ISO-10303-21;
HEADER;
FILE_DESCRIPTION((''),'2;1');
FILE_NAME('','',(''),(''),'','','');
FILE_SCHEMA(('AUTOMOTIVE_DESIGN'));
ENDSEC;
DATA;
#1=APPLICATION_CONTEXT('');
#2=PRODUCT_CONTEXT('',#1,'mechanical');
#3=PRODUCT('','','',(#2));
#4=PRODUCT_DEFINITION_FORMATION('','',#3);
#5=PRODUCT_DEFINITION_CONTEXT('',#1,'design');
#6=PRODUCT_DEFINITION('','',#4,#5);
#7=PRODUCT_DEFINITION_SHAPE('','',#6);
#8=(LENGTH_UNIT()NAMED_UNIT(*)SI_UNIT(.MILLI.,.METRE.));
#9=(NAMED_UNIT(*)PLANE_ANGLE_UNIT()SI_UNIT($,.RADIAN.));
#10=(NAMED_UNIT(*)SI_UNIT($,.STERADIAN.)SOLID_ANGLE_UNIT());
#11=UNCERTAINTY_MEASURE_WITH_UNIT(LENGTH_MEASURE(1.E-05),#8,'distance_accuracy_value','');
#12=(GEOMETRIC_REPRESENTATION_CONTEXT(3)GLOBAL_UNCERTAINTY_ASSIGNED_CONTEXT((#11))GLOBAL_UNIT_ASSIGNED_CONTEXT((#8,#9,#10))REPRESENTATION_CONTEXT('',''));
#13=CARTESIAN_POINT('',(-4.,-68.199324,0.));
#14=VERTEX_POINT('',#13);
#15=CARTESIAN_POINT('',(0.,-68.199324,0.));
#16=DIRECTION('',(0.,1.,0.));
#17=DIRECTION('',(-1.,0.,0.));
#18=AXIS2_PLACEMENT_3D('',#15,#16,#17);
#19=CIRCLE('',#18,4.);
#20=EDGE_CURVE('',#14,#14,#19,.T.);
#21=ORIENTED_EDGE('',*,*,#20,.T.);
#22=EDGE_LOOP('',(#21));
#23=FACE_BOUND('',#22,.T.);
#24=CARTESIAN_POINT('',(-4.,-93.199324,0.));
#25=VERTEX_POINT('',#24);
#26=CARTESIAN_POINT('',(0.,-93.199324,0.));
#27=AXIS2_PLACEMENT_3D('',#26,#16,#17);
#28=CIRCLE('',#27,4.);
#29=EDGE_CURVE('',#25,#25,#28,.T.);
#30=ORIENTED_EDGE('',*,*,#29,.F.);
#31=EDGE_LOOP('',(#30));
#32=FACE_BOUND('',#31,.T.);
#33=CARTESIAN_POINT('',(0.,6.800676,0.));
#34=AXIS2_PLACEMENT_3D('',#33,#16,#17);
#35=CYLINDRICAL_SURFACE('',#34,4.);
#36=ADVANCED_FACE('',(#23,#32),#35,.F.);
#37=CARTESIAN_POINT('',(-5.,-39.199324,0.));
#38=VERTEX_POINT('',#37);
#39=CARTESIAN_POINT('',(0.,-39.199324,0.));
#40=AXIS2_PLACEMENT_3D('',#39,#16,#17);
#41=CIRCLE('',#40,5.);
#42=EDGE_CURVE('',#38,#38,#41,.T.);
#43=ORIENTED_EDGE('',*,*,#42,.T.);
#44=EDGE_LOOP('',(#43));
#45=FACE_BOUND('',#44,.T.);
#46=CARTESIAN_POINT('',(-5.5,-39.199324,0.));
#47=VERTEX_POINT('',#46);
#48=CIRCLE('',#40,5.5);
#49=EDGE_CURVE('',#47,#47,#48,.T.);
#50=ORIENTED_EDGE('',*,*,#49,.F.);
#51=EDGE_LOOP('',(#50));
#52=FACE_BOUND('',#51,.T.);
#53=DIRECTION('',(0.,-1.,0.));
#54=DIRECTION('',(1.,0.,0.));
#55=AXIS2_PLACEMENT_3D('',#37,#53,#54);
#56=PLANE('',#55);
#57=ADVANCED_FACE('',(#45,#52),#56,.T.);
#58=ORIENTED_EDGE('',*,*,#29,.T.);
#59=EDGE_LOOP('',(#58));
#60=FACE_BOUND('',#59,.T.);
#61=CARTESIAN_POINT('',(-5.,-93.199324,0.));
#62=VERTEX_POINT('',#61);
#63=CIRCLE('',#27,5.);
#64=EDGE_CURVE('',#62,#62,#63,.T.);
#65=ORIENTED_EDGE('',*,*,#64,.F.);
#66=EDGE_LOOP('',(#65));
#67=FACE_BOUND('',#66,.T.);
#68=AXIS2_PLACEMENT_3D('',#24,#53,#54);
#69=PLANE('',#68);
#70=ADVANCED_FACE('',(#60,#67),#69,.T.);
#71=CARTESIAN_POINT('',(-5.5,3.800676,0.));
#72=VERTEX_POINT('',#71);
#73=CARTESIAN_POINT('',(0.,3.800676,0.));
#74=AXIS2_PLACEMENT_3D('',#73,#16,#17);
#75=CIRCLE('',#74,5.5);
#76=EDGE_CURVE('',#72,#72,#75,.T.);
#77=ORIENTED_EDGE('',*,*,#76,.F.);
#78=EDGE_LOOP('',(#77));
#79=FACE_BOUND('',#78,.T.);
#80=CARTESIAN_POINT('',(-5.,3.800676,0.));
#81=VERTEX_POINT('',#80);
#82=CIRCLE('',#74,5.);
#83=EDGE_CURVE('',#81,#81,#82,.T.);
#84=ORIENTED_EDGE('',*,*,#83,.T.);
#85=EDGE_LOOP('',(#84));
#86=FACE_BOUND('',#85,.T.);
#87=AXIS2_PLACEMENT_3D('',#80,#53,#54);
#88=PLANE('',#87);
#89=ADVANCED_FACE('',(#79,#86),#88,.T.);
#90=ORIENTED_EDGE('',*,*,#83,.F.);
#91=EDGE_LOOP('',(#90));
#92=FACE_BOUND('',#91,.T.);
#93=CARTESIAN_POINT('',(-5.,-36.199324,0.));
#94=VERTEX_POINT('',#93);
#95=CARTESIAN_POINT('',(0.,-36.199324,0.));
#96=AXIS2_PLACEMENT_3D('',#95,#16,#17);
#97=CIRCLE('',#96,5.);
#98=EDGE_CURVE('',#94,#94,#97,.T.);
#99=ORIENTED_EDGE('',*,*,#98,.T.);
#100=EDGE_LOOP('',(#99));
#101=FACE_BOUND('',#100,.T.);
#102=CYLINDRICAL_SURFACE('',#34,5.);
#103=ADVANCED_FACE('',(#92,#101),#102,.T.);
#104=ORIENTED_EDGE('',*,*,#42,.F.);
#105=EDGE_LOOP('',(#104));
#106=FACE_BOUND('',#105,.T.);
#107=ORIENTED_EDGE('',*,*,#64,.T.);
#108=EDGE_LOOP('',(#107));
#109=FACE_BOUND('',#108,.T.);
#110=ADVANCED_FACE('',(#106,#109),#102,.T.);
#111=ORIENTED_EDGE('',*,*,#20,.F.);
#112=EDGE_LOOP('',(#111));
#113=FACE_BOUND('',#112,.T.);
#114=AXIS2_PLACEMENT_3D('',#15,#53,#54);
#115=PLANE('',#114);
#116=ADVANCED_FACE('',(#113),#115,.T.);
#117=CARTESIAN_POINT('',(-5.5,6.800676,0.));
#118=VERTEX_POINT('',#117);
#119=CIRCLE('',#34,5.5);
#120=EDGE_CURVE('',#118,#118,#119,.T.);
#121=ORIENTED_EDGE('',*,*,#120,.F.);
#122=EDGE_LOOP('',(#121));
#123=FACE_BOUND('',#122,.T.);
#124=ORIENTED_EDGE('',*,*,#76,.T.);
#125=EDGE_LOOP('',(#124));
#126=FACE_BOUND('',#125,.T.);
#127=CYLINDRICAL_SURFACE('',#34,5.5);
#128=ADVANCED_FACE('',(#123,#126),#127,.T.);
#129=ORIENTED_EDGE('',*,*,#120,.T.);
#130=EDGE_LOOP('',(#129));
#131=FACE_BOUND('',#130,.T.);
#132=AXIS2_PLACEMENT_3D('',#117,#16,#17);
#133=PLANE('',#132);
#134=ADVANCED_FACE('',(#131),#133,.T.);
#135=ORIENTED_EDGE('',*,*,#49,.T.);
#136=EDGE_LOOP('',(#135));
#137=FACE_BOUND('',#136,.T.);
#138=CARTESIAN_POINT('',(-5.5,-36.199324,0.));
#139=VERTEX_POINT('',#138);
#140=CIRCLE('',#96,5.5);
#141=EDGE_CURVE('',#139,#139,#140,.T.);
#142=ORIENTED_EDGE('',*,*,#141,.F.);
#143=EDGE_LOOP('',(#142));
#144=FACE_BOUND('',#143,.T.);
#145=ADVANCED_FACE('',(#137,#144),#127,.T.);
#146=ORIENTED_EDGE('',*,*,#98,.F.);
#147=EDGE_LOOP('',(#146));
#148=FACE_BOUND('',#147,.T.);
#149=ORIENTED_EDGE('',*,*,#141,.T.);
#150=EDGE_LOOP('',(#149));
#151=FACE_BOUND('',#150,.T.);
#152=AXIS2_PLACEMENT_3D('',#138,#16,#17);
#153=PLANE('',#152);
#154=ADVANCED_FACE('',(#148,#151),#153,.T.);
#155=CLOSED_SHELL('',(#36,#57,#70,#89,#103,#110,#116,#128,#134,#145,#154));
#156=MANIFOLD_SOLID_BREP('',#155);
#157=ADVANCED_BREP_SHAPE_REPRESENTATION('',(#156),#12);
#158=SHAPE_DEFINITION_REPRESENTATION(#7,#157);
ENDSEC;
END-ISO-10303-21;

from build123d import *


with BuildPart() as part:
    # Sketch1 → Revolve1 (revolve)
    with BuildSketch(Plane.XY):
        Polygon((-4, -93.199324324), (-5, -93.199324324), (-5, -39.199324324), (-5.5, -39.199324324), (-5.5, -36.199324324), (-5, -36.199324324), (-5, 3.800675676), (-5.5, 3.800675676), (-5.5, 6.800675676), (0, 6.800675676), (0, -68.199324324), (-4, -68.199324324), align=None)
    revolve(axis=Axis((0, 6.800675676, 0), (0, -1, 0)))


solid = part.part
